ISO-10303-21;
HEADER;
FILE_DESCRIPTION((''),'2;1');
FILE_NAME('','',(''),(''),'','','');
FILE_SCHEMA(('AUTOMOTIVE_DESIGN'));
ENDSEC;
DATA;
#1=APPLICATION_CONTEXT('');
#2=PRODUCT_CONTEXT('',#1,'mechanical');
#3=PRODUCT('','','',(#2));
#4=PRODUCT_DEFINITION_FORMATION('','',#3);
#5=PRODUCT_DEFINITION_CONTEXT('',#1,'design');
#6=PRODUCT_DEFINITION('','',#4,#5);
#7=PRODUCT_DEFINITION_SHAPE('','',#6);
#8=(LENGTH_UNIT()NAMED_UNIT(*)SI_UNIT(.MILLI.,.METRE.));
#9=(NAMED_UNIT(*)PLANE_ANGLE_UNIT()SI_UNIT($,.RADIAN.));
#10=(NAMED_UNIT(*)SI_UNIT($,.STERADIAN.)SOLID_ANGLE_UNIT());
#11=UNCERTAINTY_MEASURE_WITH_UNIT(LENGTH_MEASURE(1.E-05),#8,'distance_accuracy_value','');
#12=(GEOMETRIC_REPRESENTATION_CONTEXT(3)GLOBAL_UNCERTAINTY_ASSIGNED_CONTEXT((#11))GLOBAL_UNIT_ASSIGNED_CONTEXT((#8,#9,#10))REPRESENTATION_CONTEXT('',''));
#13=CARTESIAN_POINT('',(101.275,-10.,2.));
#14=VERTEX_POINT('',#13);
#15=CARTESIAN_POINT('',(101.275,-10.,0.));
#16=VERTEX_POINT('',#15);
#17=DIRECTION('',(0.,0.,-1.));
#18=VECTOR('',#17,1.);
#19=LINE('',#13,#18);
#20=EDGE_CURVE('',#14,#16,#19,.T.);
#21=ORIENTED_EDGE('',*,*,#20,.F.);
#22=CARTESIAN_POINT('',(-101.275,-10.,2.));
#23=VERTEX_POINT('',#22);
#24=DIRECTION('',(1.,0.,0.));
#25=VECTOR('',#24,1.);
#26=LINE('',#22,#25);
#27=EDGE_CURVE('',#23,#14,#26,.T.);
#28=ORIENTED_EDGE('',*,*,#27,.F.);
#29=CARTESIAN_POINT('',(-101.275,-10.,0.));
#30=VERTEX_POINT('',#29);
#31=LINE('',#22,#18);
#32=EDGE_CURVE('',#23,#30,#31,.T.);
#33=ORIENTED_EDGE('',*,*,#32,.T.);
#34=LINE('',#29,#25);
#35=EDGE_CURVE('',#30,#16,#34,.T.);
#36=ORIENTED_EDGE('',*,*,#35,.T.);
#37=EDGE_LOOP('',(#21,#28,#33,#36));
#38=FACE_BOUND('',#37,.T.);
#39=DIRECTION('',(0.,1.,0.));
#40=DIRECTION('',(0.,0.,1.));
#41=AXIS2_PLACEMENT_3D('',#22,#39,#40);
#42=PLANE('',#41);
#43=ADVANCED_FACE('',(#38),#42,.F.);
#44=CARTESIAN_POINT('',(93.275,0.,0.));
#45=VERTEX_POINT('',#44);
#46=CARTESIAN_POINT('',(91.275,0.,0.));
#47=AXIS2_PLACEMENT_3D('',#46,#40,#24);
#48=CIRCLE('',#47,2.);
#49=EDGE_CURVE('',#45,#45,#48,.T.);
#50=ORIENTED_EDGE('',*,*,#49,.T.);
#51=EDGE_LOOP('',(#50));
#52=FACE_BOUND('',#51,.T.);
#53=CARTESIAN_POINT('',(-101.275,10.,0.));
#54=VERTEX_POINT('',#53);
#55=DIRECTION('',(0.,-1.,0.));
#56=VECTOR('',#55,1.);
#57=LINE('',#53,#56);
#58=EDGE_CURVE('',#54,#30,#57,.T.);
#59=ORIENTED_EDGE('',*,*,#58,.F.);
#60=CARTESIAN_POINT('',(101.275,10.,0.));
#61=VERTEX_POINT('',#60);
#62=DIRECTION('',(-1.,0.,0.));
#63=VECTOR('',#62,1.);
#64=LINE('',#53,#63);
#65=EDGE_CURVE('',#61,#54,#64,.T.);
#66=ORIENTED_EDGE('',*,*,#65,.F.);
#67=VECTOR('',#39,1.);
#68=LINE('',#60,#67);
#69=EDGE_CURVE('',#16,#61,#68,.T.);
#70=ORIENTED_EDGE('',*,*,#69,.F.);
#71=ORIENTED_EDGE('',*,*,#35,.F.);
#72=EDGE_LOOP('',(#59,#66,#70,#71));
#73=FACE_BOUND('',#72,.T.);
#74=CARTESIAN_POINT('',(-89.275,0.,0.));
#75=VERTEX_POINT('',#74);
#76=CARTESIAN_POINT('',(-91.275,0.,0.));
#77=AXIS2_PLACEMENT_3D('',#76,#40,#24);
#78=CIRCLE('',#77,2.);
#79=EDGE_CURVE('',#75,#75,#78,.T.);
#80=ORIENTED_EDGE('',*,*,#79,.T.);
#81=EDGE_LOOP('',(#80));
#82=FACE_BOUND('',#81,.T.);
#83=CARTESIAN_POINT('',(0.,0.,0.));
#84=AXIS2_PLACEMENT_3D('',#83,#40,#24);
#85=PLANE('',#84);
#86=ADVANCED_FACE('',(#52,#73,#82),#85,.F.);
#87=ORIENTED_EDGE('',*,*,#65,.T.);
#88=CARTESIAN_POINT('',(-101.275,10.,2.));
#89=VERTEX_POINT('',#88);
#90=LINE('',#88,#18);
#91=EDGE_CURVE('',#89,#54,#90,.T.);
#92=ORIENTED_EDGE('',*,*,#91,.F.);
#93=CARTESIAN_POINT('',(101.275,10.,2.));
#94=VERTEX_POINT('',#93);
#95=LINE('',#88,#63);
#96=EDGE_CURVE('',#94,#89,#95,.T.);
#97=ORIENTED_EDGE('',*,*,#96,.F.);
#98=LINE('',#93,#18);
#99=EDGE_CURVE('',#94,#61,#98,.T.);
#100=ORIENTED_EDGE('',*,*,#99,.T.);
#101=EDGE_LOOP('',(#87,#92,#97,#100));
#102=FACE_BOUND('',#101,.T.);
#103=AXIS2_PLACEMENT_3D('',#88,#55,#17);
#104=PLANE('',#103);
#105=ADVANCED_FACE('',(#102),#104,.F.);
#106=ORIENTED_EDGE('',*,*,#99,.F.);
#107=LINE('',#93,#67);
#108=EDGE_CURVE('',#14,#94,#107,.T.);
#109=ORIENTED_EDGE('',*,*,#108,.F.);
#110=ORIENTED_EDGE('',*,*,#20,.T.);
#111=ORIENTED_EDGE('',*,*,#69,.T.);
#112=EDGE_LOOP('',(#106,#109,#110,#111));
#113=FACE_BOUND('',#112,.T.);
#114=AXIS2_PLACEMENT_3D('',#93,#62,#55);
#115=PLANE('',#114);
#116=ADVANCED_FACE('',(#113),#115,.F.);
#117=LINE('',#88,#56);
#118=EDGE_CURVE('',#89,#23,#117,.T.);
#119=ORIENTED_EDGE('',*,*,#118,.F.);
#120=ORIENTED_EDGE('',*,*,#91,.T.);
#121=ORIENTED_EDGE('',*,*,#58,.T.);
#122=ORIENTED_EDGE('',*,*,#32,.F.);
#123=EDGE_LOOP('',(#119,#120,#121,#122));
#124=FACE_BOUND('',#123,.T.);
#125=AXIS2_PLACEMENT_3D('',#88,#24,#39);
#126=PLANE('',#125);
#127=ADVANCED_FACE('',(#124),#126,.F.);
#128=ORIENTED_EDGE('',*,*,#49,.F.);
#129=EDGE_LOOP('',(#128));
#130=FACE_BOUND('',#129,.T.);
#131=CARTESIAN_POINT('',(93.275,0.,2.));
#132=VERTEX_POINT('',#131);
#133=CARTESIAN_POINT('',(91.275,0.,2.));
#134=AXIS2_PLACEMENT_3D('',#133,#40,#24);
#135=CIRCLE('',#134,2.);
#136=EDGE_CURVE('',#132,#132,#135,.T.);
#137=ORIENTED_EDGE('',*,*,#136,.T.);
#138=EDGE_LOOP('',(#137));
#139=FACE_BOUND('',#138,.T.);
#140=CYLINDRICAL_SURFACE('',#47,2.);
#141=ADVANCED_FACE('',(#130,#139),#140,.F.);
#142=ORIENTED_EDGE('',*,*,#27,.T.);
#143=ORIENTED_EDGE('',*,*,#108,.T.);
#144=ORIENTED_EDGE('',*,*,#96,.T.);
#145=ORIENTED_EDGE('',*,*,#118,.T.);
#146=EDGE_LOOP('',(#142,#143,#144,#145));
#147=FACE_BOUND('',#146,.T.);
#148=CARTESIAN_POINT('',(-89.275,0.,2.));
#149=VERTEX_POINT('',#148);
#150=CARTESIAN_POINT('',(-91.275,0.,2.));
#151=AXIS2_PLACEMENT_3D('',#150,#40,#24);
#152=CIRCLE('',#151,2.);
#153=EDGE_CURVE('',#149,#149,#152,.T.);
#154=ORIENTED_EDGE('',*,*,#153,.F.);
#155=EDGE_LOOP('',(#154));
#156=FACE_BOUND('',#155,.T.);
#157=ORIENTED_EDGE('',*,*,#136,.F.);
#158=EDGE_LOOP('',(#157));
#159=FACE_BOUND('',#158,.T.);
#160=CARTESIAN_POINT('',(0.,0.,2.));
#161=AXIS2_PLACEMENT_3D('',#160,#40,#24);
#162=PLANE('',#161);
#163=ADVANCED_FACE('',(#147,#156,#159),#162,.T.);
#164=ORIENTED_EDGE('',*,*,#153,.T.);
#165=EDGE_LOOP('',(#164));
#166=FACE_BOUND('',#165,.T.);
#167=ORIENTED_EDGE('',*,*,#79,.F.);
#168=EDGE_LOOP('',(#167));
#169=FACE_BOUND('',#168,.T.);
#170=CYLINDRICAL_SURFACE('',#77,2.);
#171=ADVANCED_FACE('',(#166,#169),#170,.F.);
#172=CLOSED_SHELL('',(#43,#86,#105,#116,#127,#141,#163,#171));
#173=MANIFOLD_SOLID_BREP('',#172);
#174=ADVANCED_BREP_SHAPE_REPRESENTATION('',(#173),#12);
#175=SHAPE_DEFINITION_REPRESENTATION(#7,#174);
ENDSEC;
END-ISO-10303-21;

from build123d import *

# Parameters (mm, degrees)
SKETCH1_W           = 202.55
SKETCH1_H           = 20
BOSS_EXTRUDE1_DEPTH = 2
SKETCH2_R           = 2
CUT_EXTRUDE1_DEPTH  = 2


with BuildPart() as part:
    # Sketch1 → Boss-Extrude1 (new body)
    with BuildSketch(Plane.XY):
        Rectangle(SKETCH1_W, SKETCH1_H)
    extrude(amount=BOSS_EXTRUDE1_DEPTH)

    # Sketch2 → Cut-Extrude1 (cut)
    with BuildSketch(Plane.XY.offset(2)):
        with Locations((-91.275, 0)):
            Circle(SKETCH2_R)
        with Locations((91.275, 0)):
            Circle(SKETCH2_R)
    extrude(amount=-CUT_EXTRUDE1_DEPTH, mode=Mode.SUBTRACT)


solid = part.part
